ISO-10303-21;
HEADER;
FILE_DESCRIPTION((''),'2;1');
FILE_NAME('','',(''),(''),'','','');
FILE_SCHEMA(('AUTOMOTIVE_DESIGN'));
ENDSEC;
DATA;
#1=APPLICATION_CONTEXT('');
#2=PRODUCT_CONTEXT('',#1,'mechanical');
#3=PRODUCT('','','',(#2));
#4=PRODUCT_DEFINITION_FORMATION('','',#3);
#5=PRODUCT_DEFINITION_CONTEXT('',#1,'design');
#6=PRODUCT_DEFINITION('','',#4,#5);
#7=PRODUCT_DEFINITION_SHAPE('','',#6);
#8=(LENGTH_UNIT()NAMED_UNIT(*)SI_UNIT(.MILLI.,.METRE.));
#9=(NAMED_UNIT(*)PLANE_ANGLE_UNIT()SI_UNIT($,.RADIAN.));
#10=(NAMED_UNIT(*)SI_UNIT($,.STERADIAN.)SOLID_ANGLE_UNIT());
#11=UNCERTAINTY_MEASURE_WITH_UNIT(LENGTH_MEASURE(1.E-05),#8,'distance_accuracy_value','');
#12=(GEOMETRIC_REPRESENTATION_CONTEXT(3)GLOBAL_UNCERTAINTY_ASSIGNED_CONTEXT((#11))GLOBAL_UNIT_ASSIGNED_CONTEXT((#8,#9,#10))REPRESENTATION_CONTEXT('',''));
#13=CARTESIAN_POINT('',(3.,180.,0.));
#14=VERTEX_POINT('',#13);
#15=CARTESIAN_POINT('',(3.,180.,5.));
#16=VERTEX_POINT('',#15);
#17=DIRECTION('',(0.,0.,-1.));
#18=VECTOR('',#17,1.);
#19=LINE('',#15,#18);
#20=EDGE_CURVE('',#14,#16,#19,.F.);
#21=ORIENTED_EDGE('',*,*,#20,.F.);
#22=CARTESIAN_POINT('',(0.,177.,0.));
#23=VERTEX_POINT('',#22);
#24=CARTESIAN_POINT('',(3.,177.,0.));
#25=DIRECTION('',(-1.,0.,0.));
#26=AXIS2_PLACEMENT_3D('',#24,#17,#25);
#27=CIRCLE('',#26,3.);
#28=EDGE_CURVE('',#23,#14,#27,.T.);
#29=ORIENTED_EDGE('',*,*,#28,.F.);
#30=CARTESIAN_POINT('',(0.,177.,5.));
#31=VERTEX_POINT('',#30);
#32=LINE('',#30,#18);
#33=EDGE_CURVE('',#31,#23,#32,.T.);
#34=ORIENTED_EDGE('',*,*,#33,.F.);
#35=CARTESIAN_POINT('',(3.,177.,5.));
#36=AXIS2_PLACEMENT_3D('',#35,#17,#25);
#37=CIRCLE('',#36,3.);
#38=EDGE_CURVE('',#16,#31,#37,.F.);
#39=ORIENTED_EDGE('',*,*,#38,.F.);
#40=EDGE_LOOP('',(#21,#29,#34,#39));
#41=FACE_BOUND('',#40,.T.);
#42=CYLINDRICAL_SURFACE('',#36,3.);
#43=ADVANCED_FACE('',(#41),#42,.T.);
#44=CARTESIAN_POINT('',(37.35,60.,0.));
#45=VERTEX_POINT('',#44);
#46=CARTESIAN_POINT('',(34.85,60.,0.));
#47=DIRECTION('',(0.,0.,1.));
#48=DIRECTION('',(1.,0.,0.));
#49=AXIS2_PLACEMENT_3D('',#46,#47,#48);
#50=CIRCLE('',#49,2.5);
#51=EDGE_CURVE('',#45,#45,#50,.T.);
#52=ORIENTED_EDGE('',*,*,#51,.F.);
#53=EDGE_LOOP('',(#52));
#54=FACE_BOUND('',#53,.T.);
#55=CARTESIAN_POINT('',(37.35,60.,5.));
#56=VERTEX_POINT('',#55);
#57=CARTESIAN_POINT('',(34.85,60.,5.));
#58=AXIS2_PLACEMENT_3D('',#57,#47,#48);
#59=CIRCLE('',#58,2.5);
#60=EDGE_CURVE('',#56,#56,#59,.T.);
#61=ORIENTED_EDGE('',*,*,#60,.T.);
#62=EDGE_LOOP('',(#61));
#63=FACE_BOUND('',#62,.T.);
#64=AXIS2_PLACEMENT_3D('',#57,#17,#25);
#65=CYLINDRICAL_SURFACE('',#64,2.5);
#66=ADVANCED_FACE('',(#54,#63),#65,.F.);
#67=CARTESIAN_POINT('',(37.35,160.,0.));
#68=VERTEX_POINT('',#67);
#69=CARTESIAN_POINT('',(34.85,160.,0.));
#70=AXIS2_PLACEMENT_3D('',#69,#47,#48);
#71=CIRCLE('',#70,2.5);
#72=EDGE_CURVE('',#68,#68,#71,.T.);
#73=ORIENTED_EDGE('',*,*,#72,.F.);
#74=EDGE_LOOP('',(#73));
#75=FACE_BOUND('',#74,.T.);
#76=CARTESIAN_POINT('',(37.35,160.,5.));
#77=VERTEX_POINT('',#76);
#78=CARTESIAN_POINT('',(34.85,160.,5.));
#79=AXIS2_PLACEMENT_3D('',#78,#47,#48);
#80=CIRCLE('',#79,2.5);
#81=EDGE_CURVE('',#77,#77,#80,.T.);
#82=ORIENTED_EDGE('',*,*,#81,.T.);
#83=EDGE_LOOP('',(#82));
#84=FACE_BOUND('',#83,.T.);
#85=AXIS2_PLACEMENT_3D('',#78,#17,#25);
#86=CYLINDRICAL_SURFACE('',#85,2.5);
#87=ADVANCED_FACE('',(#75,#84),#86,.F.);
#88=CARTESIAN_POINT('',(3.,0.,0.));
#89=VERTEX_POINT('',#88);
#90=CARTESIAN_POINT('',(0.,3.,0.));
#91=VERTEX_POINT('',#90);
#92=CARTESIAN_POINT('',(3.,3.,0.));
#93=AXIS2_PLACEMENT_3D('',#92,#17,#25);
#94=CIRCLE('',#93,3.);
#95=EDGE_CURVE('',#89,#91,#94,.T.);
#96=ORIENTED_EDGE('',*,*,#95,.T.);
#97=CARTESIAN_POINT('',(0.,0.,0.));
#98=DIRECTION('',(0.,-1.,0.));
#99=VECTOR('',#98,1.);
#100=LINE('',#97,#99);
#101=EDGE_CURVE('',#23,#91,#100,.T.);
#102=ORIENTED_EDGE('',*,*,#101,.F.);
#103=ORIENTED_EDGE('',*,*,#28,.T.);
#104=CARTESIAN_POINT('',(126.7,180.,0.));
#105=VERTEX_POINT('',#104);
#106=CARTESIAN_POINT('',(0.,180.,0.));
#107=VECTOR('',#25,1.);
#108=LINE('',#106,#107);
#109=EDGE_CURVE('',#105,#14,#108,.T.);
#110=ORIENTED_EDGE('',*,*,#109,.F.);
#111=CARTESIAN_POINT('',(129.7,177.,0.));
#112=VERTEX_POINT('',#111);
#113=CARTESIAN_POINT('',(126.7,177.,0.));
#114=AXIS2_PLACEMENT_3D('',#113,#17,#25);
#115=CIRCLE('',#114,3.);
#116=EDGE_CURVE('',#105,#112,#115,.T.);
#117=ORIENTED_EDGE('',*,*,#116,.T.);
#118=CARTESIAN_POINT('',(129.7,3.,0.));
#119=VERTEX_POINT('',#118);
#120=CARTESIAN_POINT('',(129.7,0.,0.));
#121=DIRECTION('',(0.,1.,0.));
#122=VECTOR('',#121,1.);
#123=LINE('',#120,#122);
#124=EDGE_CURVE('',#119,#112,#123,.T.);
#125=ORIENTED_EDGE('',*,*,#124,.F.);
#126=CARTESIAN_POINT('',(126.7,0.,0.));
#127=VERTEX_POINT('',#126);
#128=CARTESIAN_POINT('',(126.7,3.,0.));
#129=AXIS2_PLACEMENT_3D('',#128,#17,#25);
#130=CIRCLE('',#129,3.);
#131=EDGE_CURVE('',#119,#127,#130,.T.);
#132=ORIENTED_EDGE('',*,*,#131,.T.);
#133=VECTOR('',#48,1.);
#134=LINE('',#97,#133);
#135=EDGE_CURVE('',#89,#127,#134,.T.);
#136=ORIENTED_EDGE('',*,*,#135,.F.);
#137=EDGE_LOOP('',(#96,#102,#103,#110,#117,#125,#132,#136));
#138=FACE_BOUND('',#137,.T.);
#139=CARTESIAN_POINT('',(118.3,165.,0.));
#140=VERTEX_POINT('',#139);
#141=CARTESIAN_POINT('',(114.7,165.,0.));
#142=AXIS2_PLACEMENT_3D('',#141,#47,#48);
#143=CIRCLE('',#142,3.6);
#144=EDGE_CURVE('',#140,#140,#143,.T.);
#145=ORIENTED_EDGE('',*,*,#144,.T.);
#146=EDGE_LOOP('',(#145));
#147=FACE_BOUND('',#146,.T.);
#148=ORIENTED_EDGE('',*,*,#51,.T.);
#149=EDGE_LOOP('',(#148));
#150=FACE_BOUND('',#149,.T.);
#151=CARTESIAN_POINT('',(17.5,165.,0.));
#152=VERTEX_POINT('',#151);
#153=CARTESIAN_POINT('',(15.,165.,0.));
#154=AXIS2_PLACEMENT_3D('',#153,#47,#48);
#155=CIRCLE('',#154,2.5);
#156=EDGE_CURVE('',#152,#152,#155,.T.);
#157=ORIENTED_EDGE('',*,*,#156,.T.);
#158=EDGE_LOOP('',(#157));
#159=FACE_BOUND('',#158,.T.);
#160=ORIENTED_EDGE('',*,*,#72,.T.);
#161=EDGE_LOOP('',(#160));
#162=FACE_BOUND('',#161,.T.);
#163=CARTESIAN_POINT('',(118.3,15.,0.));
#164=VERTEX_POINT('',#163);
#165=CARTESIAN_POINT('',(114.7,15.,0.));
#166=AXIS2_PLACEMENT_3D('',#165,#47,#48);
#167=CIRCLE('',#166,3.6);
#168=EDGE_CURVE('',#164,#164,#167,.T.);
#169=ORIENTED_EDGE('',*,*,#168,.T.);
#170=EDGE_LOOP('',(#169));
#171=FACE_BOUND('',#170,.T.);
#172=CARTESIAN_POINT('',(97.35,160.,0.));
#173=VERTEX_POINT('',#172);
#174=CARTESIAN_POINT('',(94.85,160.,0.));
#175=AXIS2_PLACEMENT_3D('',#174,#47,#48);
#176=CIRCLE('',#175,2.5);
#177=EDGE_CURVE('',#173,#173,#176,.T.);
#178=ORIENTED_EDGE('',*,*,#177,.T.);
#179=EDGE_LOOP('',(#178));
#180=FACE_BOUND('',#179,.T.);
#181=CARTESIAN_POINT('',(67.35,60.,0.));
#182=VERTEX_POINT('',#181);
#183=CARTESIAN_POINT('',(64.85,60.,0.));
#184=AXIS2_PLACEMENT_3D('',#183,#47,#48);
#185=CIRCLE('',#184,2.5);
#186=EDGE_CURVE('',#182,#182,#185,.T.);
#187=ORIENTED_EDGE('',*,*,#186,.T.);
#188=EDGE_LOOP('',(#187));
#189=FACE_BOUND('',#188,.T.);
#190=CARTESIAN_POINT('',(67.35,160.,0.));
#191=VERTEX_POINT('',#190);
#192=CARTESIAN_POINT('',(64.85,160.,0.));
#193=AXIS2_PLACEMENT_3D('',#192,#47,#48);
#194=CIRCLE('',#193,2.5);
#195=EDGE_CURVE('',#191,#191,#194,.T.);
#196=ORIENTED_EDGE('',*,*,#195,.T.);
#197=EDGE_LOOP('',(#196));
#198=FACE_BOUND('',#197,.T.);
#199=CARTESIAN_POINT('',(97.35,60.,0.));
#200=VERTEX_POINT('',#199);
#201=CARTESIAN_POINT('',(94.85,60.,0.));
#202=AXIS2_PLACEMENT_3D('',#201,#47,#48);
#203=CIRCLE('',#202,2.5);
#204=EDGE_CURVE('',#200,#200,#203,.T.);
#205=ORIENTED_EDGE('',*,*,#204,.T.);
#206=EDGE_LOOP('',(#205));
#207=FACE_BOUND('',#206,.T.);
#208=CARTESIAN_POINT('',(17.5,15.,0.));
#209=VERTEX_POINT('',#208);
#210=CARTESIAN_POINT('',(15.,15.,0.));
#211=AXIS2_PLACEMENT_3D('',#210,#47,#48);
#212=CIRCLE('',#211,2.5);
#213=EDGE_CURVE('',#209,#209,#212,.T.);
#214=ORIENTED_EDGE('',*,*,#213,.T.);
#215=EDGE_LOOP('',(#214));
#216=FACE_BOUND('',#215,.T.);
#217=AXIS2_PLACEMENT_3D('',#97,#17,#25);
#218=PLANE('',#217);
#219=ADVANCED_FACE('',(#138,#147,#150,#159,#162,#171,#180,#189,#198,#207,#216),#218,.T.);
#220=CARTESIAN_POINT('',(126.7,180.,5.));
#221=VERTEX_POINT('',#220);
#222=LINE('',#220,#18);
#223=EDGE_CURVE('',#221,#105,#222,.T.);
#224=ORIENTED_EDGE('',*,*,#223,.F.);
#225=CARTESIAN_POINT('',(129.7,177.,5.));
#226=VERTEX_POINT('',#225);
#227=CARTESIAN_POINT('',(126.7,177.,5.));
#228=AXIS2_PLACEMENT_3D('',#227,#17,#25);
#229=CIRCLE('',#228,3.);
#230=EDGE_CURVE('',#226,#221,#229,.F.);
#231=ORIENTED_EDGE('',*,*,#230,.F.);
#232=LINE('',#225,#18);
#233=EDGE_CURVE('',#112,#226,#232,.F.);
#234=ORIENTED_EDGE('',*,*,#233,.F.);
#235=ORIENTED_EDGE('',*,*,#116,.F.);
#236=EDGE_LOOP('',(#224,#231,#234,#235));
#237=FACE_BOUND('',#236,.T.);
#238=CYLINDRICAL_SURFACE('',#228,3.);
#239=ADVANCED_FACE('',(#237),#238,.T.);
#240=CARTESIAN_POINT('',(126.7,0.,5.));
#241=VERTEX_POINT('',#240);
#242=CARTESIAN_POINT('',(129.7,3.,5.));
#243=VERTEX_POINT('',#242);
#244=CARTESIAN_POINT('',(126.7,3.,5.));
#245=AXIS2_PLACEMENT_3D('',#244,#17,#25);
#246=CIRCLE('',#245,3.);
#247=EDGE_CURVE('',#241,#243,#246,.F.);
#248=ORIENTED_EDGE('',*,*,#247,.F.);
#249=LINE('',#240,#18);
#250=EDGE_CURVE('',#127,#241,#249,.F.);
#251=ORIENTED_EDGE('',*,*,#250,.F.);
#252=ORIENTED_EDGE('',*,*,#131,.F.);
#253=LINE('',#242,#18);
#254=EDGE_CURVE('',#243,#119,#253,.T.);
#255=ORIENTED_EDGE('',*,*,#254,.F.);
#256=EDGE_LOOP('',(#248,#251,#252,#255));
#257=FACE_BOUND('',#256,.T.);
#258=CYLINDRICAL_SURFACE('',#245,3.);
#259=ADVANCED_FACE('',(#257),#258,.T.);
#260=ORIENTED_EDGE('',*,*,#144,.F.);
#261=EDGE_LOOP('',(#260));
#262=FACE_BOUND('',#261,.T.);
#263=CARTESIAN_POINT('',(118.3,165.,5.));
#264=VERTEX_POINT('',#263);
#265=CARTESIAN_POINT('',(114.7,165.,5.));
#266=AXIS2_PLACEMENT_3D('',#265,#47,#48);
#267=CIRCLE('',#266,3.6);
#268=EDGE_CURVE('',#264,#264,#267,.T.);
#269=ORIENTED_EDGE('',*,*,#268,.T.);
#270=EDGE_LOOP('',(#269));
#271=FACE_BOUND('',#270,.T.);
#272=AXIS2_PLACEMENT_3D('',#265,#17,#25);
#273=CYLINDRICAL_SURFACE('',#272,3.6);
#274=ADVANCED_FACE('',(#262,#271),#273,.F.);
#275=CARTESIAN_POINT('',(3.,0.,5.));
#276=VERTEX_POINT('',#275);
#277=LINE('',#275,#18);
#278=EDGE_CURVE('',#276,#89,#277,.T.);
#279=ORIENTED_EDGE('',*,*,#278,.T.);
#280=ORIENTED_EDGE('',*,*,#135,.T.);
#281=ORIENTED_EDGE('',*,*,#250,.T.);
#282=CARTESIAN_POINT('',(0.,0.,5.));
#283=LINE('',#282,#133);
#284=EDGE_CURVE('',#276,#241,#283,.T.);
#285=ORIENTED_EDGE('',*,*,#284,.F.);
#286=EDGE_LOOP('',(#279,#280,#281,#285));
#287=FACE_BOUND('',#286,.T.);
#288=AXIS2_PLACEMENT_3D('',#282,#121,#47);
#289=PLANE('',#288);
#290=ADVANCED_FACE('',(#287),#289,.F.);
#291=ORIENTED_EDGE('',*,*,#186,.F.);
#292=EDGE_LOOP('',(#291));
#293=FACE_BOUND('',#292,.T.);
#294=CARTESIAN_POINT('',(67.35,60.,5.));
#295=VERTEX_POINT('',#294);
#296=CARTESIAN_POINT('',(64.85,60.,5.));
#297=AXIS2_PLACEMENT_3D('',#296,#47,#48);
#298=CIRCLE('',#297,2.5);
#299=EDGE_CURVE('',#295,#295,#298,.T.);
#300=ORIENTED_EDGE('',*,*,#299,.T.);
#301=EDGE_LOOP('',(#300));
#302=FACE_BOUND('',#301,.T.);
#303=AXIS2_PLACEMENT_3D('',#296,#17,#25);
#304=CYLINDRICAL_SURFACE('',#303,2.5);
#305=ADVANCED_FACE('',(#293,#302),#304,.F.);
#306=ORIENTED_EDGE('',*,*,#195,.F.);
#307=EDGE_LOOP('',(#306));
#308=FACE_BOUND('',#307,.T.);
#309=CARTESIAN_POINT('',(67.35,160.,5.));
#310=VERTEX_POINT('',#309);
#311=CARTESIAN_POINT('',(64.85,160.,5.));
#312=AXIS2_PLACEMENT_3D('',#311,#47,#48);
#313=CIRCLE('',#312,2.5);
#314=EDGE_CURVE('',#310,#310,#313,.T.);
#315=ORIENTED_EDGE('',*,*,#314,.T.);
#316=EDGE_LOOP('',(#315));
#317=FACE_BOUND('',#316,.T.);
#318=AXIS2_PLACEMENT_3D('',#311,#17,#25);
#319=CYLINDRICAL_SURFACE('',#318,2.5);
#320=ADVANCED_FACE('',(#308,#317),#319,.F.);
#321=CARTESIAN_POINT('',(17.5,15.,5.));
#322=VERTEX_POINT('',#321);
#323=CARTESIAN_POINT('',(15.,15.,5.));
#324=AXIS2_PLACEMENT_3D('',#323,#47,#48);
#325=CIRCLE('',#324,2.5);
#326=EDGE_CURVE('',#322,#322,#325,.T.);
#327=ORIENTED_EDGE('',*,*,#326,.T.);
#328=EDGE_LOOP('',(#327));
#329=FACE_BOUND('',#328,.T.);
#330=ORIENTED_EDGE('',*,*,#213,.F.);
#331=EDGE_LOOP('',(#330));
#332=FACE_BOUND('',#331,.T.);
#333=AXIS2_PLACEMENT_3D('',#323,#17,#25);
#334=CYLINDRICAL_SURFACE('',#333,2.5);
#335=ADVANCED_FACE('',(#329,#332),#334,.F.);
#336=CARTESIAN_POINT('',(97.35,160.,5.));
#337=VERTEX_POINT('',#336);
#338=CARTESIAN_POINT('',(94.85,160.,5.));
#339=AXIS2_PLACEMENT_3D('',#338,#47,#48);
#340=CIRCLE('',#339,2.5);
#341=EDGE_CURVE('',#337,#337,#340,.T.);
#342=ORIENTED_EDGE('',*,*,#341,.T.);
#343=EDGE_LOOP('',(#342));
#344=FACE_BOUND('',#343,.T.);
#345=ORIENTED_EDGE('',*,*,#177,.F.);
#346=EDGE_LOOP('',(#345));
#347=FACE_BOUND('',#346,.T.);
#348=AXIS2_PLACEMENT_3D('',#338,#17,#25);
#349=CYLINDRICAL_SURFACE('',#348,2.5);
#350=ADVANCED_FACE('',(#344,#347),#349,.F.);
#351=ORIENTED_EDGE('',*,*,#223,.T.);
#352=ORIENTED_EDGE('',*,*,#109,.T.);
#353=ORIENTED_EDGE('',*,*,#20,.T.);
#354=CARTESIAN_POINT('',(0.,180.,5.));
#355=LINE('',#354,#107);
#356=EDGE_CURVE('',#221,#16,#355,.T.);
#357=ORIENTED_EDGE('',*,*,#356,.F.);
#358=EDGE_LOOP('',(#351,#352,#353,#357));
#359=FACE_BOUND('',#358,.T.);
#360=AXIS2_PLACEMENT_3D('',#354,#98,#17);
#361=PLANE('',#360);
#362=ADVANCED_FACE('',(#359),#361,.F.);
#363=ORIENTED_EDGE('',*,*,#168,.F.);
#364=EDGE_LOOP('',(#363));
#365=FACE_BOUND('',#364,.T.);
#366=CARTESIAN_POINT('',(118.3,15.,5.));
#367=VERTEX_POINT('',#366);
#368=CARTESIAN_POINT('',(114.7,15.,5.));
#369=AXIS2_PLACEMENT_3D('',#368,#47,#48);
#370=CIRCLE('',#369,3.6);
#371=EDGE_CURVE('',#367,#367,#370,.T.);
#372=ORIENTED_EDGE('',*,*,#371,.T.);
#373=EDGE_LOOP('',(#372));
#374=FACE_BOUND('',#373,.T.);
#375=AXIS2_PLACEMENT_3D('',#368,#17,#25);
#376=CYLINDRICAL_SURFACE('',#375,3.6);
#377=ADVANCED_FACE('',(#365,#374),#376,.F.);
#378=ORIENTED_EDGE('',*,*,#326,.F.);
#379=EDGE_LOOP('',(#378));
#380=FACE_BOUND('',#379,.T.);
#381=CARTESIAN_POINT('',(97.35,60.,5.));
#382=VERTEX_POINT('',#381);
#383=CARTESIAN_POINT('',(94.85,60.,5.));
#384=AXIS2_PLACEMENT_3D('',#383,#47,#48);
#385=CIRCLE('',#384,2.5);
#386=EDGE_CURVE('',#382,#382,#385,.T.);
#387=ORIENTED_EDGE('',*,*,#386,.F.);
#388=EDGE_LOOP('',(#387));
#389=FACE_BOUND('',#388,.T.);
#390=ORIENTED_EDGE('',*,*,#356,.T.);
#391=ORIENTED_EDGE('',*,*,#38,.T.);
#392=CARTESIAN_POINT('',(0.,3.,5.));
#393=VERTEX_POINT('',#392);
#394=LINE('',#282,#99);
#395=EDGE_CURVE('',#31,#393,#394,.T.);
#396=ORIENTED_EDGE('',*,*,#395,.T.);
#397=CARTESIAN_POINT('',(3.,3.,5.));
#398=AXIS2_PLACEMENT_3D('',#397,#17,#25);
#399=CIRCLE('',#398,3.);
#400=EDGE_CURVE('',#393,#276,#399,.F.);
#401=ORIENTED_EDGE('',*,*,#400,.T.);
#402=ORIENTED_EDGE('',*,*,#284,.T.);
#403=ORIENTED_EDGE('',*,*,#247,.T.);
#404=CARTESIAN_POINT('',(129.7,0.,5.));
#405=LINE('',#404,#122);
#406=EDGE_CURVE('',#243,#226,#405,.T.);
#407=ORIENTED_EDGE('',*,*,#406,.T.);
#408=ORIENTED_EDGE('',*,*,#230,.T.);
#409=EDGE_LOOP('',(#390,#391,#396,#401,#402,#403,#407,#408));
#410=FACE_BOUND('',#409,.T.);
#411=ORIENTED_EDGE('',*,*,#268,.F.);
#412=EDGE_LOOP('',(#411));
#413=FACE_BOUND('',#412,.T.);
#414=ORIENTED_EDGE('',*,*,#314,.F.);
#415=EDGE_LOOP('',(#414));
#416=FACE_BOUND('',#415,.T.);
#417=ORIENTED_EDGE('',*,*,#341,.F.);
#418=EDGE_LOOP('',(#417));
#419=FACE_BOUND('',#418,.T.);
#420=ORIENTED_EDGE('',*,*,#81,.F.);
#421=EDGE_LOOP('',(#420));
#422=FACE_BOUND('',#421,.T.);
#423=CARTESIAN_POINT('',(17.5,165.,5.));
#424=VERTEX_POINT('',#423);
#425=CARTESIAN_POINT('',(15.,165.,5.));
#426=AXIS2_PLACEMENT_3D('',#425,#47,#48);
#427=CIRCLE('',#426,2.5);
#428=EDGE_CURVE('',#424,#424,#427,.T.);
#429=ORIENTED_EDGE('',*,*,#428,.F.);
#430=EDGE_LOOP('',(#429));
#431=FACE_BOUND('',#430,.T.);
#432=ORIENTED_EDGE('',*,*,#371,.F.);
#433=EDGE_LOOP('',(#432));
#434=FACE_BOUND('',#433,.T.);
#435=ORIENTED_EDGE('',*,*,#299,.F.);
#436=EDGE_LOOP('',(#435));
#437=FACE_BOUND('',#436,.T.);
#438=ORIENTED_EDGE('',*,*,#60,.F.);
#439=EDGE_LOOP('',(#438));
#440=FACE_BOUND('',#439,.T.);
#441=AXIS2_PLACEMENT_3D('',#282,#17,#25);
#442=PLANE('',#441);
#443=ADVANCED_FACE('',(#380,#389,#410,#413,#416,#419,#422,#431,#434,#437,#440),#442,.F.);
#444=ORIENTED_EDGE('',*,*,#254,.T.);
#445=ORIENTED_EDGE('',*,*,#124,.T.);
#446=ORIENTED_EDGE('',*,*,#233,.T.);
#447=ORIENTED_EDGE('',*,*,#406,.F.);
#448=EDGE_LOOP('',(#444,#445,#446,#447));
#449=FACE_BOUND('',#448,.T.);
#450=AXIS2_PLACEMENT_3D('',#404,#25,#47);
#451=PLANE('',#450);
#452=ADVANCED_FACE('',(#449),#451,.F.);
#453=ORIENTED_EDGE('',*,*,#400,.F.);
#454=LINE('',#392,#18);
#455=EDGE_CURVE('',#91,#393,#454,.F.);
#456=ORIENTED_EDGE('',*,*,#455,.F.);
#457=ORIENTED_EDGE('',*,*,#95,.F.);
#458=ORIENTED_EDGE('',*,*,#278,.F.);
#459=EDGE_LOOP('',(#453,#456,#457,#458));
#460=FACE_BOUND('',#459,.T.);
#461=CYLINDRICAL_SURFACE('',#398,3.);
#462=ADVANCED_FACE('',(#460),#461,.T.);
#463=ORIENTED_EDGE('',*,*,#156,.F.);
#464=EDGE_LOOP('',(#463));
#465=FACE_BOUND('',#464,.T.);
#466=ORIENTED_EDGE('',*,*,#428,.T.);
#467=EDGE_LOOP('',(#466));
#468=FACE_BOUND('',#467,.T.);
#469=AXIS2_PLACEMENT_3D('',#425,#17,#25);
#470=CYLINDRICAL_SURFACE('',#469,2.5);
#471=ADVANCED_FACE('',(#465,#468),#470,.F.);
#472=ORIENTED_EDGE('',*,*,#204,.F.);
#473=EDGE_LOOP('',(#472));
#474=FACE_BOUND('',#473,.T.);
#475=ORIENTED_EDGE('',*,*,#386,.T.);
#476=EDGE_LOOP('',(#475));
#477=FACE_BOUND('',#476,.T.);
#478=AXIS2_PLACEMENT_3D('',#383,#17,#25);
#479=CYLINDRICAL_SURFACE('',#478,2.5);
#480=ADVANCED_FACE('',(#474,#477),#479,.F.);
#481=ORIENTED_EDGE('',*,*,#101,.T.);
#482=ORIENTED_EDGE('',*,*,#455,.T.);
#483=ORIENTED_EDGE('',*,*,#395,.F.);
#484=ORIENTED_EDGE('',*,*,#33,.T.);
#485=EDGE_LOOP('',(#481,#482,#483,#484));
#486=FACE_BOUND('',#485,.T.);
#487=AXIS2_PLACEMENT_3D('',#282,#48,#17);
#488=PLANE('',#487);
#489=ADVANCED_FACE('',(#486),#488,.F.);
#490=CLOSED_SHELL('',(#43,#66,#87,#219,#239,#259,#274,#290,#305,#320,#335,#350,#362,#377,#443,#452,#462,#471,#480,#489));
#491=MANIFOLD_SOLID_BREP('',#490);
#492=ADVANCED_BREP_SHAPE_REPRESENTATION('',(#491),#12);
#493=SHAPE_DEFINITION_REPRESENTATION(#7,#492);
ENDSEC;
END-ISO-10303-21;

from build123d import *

# Parameters (mm, degrees)
SKETCH1_W           = 129.7
SKETCH1_H           = 180
SKETCH1_R           = 2.5
SKETCH1_R_2         = 3.6
BOSS_EXTRUDE1_DEPTH = 5
FILLET1_R           = 3


with BuildPart() as part:
    # Sketch1 → Boss-Extrude1 (new body)
    with BuildSketch(Plane.XY):
        with Locations((64.85, 90)):
            Rectangle(SKETCH1_W, SKETCH1_H)
        with Locations((15, 15)):
            Circle(SKETCH1_R, mode=Mode.SUBTRACT)
        with Locations((15, 165)):
            Circle(SKETCH1_R, mode=Mode.SUBTRACT)
        with Locations((114.7, 165)):
            Circle(SKETCH1_R_2, mode=Mode.SUBTRACT)
        with Locations((114.7, 15)):
            Circle(SKETCH1_R_2, mode=Mode.SUBTRACT)
        with Locations((34.85, 160)):
            Circle(SKETCH1_R, mode=Mode.SUBTRACT)
        with Locations((64.85, 160)):
            Circle(SKETCH1_R, mode=Mode.SUBTRACT)
        with Locations((94.85, 160)):
            Circle(SKETCH1_R, mode=Mode.SUBTRACT)
        with Locations((34.85, 60)):
            Circle(SKETCH1_R, mode=Mode.SUBTRACT)
        with Locations((64.85, 60)):
            Circle(SKETCH1_R, mode=Mode.SUBTRACT)
        with Locations((94.85, 60)):
            Circle(SKETCH1_R, mode=Mode.SUBTRACT)
    extrude(amount=BOSS_EXTRUDE1_DEPTH)

    # Fillet1
    fillet1_edges = [part.edges().sort_by_distance(p)[0] for p in [
        (0, 180, 2.5),
        (129.7, 180, 2.5),
        (129.7, 0, 2.5),
        (0, 0, 2.5),
    ]]
    fillet(fillet1_edges, radius=FILLET1_R)


solid = part.part
